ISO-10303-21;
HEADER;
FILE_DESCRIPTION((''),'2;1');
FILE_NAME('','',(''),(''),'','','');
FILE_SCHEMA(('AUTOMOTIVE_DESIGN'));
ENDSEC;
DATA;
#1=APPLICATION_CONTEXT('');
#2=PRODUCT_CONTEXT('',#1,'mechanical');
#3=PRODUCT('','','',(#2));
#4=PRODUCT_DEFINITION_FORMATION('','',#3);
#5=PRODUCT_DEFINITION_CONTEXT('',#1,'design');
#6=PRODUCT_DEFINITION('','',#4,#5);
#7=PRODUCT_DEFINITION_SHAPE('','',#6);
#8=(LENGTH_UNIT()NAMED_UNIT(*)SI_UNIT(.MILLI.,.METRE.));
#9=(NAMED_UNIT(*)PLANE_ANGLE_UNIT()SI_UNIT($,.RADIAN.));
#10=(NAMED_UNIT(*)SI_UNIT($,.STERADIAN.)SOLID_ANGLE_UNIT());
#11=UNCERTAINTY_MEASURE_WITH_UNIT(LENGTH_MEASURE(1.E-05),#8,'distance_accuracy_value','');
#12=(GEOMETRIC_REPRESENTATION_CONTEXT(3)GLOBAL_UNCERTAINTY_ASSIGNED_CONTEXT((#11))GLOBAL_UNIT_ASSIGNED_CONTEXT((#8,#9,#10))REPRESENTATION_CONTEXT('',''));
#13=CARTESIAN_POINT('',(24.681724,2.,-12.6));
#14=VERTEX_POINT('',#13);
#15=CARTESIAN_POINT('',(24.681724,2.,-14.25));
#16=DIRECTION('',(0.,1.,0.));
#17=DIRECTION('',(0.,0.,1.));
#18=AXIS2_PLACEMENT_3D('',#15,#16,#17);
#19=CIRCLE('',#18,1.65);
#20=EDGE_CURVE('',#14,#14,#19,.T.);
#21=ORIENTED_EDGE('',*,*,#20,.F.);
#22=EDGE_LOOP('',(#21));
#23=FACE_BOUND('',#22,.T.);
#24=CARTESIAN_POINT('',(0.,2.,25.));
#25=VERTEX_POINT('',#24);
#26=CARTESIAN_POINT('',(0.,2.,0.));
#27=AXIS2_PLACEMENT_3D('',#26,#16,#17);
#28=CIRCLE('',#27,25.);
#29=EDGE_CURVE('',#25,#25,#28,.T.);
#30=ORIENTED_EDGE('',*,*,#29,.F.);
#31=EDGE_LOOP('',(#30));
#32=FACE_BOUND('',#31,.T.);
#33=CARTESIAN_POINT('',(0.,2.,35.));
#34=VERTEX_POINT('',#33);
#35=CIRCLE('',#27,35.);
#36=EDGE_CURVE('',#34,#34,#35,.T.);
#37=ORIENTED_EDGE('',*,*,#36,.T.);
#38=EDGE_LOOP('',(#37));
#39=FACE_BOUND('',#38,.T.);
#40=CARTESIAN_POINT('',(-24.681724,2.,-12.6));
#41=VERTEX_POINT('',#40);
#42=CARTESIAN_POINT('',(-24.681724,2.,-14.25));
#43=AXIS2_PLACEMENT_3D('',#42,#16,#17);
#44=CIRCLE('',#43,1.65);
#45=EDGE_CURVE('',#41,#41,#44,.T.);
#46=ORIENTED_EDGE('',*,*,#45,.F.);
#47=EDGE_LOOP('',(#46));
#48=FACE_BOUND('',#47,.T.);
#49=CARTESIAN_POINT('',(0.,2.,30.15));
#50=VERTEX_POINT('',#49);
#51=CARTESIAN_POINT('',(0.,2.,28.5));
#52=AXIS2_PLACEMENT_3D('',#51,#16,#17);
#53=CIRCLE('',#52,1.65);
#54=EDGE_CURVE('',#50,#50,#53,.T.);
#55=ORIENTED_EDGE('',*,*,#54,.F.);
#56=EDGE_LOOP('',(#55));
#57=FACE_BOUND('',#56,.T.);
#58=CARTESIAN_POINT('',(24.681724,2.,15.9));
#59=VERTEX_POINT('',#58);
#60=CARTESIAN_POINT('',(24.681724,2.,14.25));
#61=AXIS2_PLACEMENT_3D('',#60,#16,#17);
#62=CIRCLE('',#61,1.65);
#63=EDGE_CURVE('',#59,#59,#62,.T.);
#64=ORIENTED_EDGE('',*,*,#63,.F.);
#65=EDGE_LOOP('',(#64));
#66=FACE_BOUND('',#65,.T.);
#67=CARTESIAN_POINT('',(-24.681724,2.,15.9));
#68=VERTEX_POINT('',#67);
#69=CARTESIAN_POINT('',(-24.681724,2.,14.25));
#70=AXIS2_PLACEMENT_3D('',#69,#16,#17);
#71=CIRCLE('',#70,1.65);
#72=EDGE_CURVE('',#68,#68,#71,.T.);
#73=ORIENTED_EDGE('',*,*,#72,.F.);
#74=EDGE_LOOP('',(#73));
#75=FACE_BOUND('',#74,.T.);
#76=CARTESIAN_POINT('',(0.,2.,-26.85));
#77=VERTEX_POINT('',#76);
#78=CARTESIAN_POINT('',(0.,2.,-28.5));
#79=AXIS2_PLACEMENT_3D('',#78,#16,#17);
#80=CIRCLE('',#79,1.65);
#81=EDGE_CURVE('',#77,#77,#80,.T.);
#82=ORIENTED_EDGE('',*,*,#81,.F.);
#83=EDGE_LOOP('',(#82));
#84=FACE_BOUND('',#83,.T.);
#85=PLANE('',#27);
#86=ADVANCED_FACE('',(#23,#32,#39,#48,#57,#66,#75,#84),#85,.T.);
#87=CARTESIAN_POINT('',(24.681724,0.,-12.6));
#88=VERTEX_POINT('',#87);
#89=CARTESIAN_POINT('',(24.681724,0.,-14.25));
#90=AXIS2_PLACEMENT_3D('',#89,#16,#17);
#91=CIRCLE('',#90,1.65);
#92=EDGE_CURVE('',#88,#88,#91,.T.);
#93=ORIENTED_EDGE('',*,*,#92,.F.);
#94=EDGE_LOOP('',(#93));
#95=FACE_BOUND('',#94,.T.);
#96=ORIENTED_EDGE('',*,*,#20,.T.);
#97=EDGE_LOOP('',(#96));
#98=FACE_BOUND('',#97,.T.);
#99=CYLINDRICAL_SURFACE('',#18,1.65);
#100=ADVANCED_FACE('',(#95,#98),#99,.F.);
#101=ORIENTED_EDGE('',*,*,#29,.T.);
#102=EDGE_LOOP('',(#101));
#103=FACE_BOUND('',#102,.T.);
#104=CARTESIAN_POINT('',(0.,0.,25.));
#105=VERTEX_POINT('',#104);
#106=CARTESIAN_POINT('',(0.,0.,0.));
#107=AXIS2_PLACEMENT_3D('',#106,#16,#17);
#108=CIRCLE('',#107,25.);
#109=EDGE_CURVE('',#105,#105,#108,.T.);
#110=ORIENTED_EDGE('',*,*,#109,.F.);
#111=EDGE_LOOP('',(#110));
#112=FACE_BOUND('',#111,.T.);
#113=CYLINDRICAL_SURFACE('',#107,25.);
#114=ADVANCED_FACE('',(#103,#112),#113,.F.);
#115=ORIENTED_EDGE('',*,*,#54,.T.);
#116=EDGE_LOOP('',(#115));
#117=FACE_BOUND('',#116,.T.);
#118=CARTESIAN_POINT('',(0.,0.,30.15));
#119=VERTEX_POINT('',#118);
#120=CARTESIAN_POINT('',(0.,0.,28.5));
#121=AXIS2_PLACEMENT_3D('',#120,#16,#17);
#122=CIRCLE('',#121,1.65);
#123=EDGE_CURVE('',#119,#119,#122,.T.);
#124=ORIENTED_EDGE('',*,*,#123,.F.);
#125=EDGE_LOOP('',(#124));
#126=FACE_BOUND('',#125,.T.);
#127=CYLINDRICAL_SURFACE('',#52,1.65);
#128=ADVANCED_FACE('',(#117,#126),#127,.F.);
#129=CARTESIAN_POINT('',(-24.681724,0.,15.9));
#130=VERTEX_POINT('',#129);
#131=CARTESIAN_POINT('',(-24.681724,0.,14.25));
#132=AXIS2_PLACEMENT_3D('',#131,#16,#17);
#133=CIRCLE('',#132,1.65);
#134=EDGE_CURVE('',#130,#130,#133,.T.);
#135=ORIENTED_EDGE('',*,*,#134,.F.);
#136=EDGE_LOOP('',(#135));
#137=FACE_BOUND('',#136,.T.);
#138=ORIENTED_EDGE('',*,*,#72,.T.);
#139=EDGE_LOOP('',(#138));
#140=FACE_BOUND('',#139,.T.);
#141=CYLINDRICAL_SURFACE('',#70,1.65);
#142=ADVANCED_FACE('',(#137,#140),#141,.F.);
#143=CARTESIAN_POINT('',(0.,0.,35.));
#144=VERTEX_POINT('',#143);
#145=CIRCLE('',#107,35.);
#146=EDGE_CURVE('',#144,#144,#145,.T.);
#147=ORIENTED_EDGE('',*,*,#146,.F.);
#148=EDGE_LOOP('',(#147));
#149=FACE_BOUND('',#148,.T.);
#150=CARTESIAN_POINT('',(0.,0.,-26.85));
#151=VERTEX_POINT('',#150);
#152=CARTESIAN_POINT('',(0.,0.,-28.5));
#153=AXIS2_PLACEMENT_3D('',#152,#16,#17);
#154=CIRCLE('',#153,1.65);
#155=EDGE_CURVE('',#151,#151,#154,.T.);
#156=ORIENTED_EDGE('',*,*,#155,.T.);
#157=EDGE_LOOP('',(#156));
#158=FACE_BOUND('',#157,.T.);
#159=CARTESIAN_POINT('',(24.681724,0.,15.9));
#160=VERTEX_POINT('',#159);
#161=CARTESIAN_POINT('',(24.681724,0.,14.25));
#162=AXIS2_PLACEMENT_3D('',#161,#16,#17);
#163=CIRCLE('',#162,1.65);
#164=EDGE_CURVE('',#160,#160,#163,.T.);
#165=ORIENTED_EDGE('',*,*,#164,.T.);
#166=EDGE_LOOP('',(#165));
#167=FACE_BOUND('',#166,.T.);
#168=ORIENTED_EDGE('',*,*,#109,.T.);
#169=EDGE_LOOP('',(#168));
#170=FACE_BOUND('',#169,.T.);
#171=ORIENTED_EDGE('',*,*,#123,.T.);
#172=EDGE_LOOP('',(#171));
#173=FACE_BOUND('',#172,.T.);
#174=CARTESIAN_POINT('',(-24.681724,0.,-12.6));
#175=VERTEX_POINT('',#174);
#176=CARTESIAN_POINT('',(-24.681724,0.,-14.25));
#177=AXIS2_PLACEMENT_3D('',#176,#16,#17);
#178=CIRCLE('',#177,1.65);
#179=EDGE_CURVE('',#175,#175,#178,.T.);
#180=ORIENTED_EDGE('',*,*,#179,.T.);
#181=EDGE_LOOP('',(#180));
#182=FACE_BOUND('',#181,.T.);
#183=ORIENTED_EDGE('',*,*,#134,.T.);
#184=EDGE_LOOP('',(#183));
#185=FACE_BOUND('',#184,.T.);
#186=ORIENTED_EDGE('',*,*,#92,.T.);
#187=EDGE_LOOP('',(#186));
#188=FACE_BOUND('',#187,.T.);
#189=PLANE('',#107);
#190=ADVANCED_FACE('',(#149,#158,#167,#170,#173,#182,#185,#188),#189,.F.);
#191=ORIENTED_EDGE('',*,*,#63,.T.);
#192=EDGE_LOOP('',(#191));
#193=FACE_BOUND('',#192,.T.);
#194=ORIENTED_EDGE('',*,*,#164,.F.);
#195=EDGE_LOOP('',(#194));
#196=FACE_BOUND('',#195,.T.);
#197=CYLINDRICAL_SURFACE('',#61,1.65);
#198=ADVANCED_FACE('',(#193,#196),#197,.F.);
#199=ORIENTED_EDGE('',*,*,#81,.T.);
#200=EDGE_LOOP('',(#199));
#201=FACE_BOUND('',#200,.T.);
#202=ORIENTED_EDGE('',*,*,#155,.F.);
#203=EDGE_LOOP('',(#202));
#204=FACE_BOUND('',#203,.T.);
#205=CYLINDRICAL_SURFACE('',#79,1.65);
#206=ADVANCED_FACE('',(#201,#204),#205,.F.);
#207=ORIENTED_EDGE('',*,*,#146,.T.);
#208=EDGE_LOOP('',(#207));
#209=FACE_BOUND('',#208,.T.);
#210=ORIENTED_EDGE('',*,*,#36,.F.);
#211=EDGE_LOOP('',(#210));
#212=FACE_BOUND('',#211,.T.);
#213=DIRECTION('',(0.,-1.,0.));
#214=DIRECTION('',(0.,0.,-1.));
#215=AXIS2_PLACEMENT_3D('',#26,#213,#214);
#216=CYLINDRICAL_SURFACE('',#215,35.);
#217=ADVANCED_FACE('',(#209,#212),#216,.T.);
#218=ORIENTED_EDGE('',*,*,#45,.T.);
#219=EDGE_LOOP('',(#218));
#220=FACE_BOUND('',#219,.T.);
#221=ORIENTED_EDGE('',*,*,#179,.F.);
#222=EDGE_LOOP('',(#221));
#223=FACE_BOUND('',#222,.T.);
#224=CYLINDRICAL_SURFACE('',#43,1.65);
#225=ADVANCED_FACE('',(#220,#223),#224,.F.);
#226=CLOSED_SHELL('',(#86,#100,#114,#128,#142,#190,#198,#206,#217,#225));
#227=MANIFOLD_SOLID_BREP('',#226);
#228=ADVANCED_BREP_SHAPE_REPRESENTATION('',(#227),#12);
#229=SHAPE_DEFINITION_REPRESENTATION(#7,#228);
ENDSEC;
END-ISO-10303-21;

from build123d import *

# Parameters (mm, degrees)
SKETCH_1_R               = 35
EXTRUDE_1_DEPTH          = 2
SKETCH_2_R               = 25
CUT_EXTRUDE_1_DEPTH      = 2
HOLE_WIZARD_1_D          = 3.3
PATTERN_CIRCULAR_1_COUNT = 6


with BuildPart() as part:
    # 草图1 → 凸台-拉伸1 (new body)
    with BuildSketch(Plane(origin=(0, 0, 0), x_dir=(1, 0, 0), z_dir=(0, 1, 0))):
        with Locations(Location((0, 0, 0), (0, 0, 270))):
            Circle(SKETCH_1_R)
    extrude(amount=EXTRUDE_1_DEPTH)

    # 草图2 → 切除-拉伸1 (cut)
    with BuildSketch(Plane(origin=(0, 2, 0), x_dir=(1, 0, 0), z_dir=(0, 1, 0))):
        with Locations(Location((0, 0, 0), (0, 0, 270))):
            Circle(SKETCH_2_R)
    extrude(amount=-CUT_EXTRUDE_1_DEPTH, mode=Mode.SUBTRACT)

    # 孔1 (through all)
    with Locations(Plane(origin=(0, 2, 0), x_dir=(1, 0, 0), z_dir=(0, 1, 0))):
        with Locations((0, 28.5)):
            hole_wizard_1 = Hole(HOLE_WIZARD_1_D / 2)

    # 阵列(圆周)1: 孔1 ×6 about axis
    pattern_circular_1_axis = Axis((0, 0, 0), (0, 1, 0))
    for i in range(1, PATTERN_CIRCULAR_1_COUNT):
        add(hole_wizard_1.rotate(pattern_circular_1_axis, i * 360 / PATTERN_CIRCULAR_1_COUNT), mode=Mode.SUBTRACT)


solid = part.part
